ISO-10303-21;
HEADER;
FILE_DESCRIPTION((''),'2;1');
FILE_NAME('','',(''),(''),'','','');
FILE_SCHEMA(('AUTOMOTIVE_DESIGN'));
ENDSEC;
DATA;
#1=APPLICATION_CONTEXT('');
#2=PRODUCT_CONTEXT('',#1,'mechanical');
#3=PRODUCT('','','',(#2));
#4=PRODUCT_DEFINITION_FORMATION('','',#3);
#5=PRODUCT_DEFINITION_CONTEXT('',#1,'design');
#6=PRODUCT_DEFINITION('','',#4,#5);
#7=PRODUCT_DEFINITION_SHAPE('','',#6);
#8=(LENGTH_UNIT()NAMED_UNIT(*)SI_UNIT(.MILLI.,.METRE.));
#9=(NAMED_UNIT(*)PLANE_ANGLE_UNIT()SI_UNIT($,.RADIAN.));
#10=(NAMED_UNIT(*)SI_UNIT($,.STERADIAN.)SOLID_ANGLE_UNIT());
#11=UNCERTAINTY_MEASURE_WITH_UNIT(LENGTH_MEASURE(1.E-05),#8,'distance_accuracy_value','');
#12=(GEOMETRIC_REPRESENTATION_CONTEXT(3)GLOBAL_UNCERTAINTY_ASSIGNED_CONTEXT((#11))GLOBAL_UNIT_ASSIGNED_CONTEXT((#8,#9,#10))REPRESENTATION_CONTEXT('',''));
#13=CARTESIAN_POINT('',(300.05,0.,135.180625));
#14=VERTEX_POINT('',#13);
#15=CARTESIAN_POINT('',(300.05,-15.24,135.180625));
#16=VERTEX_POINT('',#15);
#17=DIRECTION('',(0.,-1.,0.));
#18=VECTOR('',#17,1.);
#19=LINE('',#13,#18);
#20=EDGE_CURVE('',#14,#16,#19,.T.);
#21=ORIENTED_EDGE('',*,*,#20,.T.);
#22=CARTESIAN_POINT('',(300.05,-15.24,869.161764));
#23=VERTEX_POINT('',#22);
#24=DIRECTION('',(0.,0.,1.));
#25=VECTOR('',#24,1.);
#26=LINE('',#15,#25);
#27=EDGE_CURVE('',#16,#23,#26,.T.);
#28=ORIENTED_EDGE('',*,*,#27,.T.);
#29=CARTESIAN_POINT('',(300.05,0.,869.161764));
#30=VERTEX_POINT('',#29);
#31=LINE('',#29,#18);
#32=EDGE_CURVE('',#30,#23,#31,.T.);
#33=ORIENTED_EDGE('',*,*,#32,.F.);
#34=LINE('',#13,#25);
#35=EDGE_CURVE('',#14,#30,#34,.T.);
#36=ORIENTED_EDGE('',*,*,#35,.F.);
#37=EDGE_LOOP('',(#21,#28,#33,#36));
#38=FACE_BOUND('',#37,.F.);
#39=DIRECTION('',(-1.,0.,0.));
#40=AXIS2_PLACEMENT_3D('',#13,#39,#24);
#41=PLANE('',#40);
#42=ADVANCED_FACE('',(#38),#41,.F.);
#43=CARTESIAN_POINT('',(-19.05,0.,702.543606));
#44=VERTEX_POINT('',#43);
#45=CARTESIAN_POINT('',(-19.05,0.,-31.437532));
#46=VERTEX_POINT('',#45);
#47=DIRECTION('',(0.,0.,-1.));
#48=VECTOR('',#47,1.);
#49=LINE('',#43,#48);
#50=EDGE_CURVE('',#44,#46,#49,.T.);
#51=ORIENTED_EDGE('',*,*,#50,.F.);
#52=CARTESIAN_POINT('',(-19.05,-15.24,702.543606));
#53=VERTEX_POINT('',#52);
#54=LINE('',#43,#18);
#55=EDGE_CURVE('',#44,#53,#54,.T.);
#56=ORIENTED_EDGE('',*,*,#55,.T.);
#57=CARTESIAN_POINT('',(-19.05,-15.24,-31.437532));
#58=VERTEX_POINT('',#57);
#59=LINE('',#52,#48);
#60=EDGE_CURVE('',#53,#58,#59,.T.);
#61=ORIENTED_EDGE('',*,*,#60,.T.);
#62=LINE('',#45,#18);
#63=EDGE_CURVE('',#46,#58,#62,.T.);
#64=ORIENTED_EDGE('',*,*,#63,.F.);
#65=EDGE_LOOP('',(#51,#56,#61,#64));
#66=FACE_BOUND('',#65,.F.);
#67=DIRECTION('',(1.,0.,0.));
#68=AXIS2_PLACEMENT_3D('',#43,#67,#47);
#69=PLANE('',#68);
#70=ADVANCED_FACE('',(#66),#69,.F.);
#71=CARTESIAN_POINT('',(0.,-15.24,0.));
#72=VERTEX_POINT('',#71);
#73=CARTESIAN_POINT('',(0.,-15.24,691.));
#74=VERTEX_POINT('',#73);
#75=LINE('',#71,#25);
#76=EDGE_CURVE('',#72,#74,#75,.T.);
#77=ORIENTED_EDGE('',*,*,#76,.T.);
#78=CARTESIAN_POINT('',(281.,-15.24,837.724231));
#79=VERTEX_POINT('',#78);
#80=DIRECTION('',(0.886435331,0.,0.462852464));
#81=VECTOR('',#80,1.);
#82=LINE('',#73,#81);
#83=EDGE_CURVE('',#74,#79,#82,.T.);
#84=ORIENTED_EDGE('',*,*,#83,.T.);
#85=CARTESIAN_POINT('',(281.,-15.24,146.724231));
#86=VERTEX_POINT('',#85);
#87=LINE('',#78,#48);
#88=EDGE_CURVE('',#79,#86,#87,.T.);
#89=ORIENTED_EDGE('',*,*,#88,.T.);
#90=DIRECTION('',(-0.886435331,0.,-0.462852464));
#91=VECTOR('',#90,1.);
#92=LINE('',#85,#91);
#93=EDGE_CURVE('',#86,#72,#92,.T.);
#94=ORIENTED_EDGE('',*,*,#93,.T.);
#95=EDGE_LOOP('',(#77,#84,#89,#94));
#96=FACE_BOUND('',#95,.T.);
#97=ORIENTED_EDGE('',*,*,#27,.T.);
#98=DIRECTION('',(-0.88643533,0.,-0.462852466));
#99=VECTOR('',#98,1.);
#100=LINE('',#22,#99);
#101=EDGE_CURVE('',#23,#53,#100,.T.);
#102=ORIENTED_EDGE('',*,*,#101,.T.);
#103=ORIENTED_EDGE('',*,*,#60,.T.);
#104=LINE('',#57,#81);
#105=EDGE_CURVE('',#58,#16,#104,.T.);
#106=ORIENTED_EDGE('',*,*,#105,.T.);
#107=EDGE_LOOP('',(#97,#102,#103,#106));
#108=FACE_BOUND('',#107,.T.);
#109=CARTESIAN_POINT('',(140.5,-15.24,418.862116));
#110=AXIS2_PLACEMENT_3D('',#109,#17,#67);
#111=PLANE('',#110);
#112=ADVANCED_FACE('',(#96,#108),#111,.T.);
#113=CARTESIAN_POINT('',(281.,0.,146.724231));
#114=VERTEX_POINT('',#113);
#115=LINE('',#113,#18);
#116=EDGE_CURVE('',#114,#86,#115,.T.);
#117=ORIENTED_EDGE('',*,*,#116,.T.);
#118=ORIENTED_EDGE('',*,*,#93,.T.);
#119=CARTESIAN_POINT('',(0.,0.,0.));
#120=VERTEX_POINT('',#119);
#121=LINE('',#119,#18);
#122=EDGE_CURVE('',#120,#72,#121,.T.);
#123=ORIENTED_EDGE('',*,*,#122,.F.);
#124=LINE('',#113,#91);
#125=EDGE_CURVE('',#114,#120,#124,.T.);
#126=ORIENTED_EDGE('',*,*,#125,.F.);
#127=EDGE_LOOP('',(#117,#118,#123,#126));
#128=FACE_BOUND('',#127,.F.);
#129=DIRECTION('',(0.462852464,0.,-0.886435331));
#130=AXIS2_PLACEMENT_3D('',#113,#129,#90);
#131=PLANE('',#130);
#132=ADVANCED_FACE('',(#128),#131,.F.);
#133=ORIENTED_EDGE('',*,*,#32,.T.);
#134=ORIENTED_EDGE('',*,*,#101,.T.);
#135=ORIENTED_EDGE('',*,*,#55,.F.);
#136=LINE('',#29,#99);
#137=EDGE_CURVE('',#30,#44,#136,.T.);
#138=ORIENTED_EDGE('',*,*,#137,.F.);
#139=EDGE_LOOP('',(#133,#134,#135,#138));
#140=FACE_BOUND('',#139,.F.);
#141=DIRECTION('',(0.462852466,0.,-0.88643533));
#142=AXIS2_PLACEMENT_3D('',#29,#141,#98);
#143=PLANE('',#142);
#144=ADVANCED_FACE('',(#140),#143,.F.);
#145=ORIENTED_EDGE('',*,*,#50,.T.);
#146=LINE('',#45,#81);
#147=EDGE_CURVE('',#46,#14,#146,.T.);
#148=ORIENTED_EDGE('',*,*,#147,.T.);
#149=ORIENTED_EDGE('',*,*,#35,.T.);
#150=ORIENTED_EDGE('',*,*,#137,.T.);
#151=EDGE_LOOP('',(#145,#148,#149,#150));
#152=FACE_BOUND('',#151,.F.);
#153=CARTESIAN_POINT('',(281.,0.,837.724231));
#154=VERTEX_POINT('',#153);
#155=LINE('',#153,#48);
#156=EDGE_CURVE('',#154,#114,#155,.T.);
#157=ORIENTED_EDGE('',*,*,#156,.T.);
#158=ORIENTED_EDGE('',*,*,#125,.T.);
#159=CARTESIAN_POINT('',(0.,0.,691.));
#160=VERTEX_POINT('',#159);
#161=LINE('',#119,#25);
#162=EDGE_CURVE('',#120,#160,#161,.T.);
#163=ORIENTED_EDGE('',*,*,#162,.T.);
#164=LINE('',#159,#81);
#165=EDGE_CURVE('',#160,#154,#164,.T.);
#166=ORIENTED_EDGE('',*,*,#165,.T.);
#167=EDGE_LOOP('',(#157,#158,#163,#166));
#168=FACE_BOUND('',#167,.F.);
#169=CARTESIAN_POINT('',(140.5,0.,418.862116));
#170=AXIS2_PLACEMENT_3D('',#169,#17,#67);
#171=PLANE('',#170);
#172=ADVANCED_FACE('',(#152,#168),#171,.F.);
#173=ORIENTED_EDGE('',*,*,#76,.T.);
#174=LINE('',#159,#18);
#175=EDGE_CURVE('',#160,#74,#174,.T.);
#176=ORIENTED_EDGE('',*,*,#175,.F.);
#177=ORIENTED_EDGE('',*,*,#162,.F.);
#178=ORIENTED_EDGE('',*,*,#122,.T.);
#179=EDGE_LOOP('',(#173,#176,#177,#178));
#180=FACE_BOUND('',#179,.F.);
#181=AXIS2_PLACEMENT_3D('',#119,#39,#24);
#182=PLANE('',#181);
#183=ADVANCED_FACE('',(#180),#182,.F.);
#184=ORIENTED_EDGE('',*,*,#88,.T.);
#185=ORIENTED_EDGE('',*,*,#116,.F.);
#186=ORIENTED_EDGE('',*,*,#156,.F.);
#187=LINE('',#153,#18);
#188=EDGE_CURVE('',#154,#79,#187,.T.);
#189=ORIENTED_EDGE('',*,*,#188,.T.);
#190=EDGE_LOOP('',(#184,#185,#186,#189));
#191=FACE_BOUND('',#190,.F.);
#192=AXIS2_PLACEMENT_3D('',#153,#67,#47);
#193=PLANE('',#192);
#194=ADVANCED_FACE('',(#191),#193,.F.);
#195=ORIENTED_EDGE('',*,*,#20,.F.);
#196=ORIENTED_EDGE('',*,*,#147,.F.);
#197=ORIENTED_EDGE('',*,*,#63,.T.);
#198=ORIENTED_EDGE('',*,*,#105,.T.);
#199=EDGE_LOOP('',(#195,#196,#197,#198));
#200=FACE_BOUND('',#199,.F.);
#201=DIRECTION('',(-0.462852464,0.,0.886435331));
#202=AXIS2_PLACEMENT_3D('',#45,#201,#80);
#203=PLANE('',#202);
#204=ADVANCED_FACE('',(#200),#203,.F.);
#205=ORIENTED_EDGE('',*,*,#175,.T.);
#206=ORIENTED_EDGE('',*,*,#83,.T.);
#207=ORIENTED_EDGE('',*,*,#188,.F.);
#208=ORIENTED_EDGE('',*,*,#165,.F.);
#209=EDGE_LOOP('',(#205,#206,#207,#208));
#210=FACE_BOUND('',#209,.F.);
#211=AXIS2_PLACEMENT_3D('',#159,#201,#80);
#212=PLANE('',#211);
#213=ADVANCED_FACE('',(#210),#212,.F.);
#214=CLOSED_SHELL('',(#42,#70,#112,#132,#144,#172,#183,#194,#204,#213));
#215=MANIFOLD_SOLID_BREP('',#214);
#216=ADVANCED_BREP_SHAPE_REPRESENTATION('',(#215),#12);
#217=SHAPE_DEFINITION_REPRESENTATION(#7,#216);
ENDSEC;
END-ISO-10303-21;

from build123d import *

# Parameters (mm, degrees)
F1_DEPTH = 15.24


with BuildPart() as f1:
    # F0 (on Front) → F1 (new body)
    with BuildSketch(Plane.XZ):
        Polygon((300.05, 869.161764), (-19.05, 702.543606), (-19.05, -31.437532), (300.05, 135.180625), align=None)
        Polygon((281, 146.724231), (0, 0), (0, 691), (281, 837.724231), align=None, mode=Mode.SUBTRACT)
    extrude(amount=F1_DEPTH)


solid = f1.part
